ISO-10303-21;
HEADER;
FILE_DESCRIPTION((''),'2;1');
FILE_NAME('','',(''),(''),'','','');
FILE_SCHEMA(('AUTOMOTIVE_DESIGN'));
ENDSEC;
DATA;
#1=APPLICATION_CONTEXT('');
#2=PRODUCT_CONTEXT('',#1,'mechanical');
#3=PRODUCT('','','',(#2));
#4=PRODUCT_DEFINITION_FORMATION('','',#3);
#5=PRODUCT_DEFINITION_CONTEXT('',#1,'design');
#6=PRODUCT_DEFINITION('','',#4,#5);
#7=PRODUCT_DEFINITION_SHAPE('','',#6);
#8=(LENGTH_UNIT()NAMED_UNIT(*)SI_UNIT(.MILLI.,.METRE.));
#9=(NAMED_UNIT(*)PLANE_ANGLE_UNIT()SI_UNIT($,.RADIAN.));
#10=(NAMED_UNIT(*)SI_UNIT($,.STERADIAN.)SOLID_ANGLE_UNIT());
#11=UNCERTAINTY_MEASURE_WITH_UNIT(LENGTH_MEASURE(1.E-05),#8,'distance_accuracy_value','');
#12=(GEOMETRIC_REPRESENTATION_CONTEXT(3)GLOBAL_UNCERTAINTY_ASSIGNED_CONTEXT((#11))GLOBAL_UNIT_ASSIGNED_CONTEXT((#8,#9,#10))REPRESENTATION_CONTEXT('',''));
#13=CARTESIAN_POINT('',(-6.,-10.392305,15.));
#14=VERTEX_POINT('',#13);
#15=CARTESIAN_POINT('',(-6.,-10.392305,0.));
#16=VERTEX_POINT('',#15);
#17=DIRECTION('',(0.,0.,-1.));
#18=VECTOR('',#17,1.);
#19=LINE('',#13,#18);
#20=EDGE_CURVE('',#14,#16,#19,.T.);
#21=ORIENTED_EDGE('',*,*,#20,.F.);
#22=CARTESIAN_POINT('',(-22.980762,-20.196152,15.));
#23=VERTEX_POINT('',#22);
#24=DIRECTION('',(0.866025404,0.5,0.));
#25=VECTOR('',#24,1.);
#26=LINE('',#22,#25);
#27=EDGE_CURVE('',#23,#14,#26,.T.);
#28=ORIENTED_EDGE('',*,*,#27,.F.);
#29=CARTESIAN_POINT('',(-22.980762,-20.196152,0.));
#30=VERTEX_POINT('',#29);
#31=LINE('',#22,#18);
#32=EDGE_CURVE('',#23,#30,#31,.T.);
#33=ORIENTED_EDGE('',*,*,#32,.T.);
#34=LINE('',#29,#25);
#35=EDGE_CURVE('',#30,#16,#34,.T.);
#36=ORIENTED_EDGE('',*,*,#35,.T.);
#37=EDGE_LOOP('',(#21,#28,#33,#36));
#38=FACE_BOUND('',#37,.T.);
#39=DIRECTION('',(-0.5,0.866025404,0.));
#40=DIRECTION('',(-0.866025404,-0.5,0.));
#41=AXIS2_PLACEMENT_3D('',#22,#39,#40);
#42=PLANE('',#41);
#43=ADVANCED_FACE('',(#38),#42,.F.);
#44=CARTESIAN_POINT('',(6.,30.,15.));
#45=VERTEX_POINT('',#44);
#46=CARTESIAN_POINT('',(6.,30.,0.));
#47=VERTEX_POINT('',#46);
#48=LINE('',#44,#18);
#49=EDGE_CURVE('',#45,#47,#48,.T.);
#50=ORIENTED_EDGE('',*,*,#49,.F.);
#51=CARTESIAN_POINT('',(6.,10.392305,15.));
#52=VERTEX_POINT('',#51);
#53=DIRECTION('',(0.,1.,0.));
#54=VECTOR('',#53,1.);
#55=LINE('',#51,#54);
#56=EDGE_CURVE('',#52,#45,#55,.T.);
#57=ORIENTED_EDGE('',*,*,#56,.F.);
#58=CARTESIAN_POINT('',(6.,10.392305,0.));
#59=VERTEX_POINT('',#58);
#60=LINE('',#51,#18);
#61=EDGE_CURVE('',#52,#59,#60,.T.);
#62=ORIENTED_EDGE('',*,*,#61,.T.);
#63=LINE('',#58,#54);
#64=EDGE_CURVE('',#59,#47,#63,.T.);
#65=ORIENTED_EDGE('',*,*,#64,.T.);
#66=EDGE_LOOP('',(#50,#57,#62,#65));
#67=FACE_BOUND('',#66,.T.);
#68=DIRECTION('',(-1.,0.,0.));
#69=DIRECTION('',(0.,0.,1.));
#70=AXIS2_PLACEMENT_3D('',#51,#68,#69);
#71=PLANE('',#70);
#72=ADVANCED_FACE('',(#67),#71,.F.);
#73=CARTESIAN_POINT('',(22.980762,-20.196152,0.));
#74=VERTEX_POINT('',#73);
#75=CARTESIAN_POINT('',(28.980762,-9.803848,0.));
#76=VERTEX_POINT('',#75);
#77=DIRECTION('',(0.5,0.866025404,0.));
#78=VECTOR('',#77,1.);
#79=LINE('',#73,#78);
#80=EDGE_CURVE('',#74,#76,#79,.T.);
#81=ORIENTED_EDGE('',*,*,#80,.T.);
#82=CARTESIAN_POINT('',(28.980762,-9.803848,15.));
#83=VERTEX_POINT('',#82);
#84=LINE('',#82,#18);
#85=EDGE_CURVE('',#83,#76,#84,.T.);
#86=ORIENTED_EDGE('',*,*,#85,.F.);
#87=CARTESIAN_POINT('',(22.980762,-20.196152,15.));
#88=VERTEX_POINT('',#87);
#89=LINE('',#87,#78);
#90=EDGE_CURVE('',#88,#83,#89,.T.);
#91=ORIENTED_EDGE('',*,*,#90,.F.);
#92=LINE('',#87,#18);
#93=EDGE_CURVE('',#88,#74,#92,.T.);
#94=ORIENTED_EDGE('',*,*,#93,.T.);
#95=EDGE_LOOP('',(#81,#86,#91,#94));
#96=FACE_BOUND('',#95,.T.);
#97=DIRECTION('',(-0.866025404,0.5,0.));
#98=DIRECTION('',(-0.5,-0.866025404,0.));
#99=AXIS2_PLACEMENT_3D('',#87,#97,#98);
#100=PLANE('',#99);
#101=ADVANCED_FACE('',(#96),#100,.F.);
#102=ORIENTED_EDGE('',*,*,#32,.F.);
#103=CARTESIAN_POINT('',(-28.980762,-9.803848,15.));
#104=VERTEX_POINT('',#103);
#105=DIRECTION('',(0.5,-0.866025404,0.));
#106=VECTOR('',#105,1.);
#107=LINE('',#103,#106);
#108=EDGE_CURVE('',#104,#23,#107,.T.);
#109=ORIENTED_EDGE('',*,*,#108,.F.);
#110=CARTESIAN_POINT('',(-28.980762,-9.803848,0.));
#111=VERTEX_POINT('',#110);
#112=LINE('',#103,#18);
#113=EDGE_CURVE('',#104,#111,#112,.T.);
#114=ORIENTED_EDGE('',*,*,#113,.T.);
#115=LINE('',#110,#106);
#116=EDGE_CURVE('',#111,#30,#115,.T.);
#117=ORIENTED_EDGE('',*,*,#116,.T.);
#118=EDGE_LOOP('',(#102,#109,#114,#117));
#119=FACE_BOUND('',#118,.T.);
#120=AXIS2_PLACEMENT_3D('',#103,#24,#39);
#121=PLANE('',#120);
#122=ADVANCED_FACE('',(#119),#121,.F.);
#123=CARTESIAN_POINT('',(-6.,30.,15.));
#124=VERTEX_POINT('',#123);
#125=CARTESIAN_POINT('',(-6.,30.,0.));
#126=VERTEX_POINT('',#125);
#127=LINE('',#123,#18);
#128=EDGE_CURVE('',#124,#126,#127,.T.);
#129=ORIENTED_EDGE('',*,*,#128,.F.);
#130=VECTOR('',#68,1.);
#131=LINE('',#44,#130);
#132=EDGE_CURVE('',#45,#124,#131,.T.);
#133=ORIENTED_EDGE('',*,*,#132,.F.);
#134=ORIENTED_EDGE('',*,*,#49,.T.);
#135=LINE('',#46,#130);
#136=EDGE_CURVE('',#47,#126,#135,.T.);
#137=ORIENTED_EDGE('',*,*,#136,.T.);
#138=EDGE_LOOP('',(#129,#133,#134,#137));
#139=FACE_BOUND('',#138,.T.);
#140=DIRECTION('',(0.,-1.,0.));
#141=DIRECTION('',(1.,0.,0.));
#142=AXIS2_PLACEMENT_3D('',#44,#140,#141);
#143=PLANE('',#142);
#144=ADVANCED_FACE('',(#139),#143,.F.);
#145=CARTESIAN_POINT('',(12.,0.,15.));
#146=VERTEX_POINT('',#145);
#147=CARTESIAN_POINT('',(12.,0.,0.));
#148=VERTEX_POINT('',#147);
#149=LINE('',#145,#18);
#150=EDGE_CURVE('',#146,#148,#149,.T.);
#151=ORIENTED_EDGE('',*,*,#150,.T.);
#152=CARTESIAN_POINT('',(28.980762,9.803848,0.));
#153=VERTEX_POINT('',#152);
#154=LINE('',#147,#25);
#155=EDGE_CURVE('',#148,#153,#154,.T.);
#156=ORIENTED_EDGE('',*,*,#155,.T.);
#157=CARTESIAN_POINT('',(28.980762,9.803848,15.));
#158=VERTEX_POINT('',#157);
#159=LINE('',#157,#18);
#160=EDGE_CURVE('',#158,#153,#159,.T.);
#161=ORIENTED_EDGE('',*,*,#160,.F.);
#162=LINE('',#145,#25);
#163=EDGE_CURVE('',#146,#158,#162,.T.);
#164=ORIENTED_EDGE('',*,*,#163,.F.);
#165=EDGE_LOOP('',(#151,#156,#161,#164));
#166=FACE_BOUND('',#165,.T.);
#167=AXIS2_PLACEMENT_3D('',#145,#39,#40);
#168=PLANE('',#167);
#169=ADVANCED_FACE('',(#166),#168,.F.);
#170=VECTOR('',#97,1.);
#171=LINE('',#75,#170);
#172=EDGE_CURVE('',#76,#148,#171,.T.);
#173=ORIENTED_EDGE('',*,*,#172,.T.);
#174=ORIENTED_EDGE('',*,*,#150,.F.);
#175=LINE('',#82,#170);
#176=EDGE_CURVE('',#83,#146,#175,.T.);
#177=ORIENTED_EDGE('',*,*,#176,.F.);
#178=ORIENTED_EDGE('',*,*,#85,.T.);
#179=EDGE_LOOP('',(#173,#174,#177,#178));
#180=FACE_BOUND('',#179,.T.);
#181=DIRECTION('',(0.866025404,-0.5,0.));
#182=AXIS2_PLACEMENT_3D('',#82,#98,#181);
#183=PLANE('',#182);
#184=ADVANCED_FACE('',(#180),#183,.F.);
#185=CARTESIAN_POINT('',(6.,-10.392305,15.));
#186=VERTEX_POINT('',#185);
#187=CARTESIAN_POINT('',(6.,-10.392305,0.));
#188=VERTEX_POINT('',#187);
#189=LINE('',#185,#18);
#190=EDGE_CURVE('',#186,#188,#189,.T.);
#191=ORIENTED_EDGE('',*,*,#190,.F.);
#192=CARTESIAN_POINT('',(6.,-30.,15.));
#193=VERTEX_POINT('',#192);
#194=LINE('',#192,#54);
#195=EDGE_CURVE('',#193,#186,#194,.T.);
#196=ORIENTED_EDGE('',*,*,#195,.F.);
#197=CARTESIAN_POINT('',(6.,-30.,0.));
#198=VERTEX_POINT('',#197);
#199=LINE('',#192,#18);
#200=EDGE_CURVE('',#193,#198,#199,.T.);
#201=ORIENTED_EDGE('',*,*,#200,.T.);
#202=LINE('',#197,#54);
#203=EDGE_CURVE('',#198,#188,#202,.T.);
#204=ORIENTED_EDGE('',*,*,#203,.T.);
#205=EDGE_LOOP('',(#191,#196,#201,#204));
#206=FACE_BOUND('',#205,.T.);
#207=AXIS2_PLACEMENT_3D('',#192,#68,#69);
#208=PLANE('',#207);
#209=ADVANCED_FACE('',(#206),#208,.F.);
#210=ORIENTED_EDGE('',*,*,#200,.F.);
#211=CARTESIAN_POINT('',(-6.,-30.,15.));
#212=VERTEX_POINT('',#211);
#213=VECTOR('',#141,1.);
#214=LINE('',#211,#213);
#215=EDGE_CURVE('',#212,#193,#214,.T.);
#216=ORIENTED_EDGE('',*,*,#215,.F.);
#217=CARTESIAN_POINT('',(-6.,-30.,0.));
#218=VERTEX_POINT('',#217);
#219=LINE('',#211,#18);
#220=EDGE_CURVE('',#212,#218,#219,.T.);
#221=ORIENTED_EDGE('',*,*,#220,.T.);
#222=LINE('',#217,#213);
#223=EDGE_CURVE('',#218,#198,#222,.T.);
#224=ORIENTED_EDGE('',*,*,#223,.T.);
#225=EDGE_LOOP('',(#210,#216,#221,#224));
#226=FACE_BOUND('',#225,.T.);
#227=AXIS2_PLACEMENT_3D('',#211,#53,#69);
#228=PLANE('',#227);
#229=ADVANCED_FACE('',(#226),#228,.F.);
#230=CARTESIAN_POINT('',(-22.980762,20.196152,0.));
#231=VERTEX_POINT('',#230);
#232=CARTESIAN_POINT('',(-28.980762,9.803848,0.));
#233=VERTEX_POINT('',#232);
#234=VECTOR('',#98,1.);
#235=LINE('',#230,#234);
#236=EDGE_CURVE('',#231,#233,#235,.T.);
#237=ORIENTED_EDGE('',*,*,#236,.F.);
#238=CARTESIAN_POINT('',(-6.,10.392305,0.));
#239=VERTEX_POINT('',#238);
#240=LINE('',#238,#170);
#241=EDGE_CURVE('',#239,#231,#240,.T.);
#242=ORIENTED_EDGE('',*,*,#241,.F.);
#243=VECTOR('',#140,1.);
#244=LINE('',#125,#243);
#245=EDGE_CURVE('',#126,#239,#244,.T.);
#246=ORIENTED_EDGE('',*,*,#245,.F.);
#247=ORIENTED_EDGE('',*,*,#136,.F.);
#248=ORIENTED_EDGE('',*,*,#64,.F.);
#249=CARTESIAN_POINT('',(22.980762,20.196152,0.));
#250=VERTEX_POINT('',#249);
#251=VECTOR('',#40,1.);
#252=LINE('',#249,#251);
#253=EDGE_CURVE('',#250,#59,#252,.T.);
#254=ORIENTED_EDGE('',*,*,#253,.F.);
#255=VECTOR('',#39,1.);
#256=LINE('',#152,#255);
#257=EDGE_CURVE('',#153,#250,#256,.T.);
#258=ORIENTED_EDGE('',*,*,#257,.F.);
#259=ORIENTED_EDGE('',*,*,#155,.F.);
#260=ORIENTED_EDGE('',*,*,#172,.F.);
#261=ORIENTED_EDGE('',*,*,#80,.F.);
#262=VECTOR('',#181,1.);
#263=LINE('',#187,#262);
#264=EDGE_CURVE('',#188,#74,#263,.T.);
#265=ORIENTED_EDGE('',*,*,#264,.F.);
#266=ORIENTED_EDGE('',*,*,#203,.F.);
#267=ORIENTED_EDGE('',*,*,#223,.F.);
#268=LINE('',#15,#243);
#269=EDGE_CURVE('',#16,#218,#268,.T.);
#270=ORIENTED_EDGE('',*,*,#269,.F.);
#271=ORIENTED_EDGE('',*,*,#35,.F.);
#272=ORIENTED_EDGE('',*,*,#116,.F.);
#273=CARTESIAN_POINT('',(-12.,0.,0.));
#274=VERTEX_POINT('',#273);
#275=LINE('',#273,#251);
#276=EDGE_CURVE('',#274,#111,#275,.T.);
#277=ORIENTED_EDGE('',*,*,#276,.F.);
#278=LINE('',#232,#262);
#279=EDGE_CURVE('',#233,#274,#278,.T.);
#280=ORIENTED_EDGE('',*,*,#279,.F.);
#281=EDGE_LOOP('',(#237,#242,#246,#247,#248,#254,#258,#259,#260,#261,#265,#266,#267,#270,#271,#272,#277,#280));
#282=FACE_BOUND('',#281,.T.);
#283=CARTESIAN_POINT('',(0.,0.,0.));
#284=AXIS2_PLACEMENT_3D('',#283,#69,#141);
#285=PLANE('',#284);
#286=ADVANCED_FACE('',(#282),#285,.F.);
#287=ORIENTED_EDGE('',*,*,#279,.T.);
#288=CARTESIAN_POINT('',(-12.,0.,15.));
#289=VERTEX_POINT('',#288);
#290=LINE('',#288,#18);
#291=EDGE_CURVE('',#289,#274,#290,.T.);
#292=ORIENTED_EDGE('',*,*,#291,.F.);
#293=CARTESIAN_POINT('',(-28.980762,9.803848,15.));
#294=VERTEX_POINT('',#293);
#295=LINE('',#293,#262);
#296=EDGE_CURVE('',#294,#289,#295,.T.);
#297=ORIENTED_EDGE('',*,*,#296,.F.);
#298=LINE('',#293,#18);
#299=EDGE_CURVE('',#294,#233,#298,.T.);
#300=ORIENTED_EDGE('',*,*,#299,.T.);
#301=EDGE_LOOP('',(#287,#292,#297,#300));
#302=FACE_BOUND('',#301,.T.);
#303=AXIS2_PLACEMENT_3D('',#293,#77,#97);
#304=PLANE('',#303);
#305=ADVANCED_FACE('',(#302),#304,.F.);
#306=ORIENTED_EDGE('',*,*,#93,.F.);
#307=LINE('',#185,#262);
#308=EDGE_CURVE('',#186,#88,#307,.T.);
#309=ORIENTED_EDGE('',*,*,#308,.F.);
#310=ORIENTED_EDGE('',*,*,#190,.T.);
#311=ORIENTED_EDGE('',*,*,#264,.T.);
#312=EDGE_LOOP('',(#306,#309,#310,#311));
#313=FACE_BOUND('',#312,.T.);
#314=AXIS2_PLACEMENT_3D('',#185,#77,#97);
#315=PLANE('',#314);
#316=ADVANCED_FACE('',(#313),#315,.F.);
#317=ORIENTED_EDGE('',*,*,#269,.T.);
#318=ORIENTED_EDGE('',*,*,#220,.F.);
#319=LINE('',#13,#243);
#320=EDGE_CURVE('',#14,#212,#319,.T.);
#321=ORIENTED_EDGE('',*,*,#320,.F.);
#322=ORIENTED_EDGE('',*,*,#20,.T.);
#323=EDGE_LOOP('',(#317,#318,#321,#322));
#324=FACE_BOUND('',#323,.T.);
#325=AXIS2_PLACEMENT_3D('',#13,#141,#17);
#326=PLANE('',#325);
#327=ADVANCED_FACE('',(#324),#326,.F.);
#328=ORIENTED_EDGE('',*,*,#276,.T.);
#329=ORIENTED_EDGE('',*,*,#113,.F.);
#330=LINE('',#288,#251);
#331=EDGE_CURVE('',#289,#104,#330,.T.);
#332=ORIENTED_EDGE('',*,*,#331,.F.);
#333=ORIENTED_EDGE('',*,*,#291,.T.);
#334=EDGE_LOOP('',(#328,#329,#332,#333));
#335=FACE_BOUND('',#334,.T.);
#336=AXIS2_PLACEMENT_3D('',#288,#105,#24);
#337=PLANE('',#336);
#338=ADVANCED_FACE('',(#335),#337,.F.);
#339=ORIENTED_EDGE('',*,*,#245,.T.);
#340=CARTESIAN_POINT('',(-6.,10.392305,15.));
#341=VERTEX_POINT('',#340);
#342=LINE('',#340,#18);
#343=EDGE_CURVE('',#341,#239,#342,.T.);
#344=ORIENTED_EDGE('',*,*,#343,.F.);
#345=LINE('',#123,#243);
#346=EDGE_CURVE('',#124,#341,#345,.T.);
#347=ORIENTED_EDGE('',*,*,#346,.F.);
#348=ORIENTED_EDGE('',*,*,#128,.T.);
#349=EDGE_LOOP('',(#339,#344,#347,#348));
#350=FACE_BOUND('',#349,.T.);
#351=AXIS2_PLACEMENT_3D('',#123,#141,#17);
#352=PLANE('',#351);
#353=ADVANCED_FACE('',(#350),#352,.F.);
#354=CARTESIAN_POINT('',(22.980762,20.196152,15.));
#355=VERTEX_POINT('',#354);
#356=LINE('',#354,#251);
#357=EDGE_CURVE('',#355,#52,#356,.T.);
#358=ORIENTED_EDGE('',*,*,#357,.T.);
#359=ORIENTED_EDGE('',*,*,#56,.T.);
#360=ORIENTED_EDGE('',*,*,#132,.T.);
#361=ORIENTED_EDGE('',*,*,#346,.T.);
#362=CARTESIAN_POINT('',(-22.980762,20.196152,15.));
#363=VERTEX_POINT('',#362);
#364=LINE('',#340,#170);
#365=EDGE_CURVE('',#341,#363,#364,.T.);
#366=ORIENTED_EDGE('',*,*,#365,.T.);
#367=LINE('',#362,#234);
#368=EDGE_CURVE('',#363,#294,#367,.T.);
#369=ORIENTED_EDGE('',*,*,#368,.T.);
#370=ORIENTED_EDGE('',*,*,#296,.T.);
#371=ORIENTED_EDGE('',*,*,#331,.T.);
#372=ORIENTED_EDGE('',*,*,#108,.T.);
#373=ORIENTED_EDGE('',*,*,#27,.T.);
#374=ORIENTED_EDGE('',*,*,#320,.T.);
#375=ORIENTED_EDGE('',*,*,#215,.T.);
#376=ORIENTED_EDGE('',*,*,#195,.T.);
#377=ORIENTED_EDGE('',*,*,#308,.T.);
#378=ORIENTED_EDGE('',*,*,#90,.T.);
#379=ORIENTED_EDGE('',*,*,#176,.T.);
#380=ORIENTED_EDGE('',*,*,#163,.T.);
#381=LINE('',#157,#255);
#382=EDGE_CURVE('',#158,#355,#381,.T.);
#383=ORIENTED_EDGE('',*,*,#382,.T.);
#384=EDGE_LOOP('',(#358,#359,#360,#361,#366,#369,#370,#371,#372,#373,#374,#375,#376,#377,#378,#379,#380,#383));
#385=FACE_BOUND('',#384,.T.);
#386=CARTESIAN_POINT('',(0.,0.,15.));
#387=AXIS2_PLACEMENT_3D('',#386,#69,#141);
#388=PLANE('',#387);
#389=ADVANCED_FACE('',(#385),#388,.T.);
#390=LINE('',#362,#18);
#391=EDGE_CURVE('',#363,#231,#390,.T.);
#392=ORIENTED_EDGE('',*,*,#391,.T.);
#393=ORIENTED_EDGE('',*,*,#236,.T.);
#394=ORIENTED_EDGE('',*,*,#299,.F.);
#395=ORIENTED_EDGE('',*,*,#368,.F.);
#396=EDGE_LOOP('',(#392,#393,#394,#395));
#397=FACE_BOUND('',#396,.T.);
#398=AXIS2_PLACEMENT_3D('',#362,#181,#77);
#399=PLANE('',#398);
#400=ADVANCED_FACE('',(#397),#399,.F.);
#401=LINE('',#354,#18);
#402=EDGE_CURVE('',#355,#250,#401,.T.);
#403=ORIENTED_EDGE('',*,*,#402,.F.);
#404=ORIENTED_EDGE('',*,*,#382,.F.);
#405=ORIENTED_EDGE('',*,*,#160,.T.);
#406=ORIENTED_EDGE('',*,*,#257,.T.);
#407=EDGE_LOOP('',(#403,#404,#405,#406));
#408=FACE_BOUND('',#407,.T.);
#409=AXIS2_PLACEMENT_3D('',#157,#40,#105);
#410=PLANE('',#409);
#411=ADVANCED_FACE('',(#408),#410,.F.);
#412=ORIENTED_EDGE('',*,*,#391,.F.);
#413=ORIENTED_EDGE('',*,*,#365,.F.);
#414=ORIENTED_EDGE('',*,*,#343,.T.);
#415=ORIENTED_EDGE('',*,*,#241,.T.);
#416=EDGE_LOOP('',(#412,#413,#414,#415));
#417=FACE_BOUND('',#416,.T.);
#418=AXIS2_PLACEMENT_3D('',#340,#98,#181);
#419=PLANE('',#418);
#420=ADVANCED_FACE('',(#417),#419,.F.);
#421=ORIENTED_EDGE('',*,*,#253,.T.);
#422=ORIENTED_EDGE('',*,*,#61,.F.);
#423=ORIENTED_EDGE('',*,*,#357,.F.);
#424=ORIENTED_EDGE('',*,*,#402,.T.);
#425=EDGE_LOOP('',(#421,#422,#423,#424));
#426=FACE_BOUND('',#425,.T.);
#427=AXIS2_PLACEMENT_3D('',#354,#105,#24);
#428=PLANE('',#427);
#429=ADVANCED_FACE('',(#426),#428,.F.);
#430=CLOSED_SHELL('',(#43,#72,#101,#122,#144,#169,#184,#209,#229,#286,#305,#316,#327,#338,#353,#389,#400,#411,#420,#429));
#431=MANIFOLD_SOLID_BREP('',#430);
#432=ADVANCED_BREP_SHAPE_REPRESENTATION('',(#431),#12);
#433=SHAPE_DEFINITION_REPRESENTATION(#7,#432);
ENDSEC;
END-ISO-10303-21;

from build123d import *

# Parameters (mm, degrees)
EXTRUDE_1_DEPTH = 15


with BuildPart() as part:
    # Эскиз1 → Бобышка-Вытянуть1 (new body)
    with BuildSketch(Plane.XY):
        Polygon((-22.980762114, 20.196152423), (-28.980762114, 9.803847577), (-12, 0), (-28.980762114, -9.803847577), (-22.980762114, -20.196152423), (-6, -10.392304845), (-6, -30), (6, -30), (6, -10.392304845), (22.980762114, -20.196152423), (28.980762114, -9.803847577), (12, 0), (28.980762114, 9.803847577), (22.980762114, 20.196152423), (6, 10.392304845), (6, 30), (-6, 30), (-6, 10.392304845), align=None)
    extrude(amount=EXTRUDE_1_DEPTH)


solid = part.part
